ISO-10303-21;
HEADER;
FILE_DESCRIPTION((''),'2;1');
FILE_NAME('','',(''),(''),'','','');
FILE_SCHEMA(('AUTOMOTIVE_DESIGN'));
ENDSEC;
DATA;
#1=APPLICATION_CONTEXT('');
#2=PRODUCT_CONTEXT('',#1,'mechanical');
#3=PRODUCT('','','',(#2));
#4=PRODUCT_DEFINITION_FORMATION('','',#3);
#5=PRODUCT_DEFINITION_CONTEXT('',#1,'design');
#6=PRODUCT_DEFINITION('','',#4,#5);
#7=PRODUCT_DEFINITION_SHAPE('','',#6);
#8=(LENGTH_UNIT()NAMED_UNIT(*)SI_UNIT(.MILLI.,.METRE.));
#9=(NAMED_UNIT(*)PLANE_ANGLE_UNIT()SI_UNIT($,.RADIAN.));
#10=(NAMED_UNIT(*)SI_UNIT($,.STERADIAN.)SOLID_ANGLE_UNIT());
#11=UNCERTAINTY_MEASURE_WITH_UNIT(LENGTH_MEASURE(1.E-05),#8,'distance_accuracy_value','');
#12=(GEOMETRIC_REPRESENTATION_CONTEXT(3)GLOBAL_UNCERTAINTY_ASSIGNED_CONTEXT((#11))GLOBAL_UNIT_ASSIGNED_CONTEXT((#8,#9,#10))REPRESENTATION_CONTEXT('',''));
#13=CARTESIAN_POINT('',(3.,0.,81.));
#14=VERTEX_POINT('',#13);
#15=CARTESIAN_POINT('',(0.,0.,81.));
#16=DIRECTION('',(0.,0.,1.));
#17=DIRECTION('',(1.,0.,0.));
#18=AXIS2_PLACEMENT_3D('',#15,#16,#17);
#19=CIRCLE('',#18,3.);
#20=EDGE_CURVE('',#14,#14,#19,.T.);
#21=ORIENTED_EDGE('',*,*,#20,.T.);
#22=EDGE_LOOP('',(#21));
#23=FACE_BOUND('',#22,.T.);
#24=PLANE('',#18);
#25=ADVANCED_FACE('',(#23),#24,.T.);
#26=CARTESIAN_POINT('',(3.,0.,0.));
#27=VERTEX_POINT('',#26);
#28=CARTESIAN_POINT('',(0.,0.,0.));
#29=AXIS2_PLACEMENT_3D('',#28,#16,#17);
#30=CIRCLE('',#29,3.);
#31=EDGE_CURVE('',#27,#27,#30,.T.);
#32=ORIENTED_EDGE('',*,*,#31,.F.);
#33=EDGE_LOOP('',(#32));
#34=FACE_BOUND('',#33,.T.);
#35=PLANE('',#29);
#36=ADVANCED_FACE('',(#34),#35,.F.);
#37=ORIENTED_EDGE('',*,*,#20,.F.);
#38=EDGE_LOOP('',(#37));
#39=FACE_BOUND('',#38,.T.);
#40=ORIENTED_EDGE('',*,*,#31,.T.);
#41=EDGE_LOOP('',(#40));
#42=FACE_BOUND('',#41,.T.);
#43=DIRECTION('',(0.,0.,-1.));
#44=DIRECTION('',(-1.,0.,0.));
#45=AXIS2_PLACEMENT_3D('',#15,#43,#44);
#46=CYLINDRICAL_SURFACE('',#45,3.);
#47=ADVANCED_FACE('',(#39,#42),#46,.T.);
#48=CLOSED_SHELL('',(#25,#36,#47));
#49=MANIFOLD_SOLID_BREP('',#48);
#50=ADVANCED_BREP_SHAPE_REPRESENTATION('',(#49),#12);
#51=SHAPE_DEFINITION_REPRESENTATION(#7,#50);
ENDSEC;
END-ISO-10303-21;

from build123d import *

# Parameters (mm, degrees)
SKETCH_1_R      = 3
EXTRUDE_1_DEPTH = 81


with BuildPart() as part:
    # 草图1 → 凸台-拉伸1 (new body)
    with BuildSketch(Plane.XY):
        Circle(SKETCH_1_R)
    extrude(amount=EXTRUDE_1_DEPTH)


solid = part.part
